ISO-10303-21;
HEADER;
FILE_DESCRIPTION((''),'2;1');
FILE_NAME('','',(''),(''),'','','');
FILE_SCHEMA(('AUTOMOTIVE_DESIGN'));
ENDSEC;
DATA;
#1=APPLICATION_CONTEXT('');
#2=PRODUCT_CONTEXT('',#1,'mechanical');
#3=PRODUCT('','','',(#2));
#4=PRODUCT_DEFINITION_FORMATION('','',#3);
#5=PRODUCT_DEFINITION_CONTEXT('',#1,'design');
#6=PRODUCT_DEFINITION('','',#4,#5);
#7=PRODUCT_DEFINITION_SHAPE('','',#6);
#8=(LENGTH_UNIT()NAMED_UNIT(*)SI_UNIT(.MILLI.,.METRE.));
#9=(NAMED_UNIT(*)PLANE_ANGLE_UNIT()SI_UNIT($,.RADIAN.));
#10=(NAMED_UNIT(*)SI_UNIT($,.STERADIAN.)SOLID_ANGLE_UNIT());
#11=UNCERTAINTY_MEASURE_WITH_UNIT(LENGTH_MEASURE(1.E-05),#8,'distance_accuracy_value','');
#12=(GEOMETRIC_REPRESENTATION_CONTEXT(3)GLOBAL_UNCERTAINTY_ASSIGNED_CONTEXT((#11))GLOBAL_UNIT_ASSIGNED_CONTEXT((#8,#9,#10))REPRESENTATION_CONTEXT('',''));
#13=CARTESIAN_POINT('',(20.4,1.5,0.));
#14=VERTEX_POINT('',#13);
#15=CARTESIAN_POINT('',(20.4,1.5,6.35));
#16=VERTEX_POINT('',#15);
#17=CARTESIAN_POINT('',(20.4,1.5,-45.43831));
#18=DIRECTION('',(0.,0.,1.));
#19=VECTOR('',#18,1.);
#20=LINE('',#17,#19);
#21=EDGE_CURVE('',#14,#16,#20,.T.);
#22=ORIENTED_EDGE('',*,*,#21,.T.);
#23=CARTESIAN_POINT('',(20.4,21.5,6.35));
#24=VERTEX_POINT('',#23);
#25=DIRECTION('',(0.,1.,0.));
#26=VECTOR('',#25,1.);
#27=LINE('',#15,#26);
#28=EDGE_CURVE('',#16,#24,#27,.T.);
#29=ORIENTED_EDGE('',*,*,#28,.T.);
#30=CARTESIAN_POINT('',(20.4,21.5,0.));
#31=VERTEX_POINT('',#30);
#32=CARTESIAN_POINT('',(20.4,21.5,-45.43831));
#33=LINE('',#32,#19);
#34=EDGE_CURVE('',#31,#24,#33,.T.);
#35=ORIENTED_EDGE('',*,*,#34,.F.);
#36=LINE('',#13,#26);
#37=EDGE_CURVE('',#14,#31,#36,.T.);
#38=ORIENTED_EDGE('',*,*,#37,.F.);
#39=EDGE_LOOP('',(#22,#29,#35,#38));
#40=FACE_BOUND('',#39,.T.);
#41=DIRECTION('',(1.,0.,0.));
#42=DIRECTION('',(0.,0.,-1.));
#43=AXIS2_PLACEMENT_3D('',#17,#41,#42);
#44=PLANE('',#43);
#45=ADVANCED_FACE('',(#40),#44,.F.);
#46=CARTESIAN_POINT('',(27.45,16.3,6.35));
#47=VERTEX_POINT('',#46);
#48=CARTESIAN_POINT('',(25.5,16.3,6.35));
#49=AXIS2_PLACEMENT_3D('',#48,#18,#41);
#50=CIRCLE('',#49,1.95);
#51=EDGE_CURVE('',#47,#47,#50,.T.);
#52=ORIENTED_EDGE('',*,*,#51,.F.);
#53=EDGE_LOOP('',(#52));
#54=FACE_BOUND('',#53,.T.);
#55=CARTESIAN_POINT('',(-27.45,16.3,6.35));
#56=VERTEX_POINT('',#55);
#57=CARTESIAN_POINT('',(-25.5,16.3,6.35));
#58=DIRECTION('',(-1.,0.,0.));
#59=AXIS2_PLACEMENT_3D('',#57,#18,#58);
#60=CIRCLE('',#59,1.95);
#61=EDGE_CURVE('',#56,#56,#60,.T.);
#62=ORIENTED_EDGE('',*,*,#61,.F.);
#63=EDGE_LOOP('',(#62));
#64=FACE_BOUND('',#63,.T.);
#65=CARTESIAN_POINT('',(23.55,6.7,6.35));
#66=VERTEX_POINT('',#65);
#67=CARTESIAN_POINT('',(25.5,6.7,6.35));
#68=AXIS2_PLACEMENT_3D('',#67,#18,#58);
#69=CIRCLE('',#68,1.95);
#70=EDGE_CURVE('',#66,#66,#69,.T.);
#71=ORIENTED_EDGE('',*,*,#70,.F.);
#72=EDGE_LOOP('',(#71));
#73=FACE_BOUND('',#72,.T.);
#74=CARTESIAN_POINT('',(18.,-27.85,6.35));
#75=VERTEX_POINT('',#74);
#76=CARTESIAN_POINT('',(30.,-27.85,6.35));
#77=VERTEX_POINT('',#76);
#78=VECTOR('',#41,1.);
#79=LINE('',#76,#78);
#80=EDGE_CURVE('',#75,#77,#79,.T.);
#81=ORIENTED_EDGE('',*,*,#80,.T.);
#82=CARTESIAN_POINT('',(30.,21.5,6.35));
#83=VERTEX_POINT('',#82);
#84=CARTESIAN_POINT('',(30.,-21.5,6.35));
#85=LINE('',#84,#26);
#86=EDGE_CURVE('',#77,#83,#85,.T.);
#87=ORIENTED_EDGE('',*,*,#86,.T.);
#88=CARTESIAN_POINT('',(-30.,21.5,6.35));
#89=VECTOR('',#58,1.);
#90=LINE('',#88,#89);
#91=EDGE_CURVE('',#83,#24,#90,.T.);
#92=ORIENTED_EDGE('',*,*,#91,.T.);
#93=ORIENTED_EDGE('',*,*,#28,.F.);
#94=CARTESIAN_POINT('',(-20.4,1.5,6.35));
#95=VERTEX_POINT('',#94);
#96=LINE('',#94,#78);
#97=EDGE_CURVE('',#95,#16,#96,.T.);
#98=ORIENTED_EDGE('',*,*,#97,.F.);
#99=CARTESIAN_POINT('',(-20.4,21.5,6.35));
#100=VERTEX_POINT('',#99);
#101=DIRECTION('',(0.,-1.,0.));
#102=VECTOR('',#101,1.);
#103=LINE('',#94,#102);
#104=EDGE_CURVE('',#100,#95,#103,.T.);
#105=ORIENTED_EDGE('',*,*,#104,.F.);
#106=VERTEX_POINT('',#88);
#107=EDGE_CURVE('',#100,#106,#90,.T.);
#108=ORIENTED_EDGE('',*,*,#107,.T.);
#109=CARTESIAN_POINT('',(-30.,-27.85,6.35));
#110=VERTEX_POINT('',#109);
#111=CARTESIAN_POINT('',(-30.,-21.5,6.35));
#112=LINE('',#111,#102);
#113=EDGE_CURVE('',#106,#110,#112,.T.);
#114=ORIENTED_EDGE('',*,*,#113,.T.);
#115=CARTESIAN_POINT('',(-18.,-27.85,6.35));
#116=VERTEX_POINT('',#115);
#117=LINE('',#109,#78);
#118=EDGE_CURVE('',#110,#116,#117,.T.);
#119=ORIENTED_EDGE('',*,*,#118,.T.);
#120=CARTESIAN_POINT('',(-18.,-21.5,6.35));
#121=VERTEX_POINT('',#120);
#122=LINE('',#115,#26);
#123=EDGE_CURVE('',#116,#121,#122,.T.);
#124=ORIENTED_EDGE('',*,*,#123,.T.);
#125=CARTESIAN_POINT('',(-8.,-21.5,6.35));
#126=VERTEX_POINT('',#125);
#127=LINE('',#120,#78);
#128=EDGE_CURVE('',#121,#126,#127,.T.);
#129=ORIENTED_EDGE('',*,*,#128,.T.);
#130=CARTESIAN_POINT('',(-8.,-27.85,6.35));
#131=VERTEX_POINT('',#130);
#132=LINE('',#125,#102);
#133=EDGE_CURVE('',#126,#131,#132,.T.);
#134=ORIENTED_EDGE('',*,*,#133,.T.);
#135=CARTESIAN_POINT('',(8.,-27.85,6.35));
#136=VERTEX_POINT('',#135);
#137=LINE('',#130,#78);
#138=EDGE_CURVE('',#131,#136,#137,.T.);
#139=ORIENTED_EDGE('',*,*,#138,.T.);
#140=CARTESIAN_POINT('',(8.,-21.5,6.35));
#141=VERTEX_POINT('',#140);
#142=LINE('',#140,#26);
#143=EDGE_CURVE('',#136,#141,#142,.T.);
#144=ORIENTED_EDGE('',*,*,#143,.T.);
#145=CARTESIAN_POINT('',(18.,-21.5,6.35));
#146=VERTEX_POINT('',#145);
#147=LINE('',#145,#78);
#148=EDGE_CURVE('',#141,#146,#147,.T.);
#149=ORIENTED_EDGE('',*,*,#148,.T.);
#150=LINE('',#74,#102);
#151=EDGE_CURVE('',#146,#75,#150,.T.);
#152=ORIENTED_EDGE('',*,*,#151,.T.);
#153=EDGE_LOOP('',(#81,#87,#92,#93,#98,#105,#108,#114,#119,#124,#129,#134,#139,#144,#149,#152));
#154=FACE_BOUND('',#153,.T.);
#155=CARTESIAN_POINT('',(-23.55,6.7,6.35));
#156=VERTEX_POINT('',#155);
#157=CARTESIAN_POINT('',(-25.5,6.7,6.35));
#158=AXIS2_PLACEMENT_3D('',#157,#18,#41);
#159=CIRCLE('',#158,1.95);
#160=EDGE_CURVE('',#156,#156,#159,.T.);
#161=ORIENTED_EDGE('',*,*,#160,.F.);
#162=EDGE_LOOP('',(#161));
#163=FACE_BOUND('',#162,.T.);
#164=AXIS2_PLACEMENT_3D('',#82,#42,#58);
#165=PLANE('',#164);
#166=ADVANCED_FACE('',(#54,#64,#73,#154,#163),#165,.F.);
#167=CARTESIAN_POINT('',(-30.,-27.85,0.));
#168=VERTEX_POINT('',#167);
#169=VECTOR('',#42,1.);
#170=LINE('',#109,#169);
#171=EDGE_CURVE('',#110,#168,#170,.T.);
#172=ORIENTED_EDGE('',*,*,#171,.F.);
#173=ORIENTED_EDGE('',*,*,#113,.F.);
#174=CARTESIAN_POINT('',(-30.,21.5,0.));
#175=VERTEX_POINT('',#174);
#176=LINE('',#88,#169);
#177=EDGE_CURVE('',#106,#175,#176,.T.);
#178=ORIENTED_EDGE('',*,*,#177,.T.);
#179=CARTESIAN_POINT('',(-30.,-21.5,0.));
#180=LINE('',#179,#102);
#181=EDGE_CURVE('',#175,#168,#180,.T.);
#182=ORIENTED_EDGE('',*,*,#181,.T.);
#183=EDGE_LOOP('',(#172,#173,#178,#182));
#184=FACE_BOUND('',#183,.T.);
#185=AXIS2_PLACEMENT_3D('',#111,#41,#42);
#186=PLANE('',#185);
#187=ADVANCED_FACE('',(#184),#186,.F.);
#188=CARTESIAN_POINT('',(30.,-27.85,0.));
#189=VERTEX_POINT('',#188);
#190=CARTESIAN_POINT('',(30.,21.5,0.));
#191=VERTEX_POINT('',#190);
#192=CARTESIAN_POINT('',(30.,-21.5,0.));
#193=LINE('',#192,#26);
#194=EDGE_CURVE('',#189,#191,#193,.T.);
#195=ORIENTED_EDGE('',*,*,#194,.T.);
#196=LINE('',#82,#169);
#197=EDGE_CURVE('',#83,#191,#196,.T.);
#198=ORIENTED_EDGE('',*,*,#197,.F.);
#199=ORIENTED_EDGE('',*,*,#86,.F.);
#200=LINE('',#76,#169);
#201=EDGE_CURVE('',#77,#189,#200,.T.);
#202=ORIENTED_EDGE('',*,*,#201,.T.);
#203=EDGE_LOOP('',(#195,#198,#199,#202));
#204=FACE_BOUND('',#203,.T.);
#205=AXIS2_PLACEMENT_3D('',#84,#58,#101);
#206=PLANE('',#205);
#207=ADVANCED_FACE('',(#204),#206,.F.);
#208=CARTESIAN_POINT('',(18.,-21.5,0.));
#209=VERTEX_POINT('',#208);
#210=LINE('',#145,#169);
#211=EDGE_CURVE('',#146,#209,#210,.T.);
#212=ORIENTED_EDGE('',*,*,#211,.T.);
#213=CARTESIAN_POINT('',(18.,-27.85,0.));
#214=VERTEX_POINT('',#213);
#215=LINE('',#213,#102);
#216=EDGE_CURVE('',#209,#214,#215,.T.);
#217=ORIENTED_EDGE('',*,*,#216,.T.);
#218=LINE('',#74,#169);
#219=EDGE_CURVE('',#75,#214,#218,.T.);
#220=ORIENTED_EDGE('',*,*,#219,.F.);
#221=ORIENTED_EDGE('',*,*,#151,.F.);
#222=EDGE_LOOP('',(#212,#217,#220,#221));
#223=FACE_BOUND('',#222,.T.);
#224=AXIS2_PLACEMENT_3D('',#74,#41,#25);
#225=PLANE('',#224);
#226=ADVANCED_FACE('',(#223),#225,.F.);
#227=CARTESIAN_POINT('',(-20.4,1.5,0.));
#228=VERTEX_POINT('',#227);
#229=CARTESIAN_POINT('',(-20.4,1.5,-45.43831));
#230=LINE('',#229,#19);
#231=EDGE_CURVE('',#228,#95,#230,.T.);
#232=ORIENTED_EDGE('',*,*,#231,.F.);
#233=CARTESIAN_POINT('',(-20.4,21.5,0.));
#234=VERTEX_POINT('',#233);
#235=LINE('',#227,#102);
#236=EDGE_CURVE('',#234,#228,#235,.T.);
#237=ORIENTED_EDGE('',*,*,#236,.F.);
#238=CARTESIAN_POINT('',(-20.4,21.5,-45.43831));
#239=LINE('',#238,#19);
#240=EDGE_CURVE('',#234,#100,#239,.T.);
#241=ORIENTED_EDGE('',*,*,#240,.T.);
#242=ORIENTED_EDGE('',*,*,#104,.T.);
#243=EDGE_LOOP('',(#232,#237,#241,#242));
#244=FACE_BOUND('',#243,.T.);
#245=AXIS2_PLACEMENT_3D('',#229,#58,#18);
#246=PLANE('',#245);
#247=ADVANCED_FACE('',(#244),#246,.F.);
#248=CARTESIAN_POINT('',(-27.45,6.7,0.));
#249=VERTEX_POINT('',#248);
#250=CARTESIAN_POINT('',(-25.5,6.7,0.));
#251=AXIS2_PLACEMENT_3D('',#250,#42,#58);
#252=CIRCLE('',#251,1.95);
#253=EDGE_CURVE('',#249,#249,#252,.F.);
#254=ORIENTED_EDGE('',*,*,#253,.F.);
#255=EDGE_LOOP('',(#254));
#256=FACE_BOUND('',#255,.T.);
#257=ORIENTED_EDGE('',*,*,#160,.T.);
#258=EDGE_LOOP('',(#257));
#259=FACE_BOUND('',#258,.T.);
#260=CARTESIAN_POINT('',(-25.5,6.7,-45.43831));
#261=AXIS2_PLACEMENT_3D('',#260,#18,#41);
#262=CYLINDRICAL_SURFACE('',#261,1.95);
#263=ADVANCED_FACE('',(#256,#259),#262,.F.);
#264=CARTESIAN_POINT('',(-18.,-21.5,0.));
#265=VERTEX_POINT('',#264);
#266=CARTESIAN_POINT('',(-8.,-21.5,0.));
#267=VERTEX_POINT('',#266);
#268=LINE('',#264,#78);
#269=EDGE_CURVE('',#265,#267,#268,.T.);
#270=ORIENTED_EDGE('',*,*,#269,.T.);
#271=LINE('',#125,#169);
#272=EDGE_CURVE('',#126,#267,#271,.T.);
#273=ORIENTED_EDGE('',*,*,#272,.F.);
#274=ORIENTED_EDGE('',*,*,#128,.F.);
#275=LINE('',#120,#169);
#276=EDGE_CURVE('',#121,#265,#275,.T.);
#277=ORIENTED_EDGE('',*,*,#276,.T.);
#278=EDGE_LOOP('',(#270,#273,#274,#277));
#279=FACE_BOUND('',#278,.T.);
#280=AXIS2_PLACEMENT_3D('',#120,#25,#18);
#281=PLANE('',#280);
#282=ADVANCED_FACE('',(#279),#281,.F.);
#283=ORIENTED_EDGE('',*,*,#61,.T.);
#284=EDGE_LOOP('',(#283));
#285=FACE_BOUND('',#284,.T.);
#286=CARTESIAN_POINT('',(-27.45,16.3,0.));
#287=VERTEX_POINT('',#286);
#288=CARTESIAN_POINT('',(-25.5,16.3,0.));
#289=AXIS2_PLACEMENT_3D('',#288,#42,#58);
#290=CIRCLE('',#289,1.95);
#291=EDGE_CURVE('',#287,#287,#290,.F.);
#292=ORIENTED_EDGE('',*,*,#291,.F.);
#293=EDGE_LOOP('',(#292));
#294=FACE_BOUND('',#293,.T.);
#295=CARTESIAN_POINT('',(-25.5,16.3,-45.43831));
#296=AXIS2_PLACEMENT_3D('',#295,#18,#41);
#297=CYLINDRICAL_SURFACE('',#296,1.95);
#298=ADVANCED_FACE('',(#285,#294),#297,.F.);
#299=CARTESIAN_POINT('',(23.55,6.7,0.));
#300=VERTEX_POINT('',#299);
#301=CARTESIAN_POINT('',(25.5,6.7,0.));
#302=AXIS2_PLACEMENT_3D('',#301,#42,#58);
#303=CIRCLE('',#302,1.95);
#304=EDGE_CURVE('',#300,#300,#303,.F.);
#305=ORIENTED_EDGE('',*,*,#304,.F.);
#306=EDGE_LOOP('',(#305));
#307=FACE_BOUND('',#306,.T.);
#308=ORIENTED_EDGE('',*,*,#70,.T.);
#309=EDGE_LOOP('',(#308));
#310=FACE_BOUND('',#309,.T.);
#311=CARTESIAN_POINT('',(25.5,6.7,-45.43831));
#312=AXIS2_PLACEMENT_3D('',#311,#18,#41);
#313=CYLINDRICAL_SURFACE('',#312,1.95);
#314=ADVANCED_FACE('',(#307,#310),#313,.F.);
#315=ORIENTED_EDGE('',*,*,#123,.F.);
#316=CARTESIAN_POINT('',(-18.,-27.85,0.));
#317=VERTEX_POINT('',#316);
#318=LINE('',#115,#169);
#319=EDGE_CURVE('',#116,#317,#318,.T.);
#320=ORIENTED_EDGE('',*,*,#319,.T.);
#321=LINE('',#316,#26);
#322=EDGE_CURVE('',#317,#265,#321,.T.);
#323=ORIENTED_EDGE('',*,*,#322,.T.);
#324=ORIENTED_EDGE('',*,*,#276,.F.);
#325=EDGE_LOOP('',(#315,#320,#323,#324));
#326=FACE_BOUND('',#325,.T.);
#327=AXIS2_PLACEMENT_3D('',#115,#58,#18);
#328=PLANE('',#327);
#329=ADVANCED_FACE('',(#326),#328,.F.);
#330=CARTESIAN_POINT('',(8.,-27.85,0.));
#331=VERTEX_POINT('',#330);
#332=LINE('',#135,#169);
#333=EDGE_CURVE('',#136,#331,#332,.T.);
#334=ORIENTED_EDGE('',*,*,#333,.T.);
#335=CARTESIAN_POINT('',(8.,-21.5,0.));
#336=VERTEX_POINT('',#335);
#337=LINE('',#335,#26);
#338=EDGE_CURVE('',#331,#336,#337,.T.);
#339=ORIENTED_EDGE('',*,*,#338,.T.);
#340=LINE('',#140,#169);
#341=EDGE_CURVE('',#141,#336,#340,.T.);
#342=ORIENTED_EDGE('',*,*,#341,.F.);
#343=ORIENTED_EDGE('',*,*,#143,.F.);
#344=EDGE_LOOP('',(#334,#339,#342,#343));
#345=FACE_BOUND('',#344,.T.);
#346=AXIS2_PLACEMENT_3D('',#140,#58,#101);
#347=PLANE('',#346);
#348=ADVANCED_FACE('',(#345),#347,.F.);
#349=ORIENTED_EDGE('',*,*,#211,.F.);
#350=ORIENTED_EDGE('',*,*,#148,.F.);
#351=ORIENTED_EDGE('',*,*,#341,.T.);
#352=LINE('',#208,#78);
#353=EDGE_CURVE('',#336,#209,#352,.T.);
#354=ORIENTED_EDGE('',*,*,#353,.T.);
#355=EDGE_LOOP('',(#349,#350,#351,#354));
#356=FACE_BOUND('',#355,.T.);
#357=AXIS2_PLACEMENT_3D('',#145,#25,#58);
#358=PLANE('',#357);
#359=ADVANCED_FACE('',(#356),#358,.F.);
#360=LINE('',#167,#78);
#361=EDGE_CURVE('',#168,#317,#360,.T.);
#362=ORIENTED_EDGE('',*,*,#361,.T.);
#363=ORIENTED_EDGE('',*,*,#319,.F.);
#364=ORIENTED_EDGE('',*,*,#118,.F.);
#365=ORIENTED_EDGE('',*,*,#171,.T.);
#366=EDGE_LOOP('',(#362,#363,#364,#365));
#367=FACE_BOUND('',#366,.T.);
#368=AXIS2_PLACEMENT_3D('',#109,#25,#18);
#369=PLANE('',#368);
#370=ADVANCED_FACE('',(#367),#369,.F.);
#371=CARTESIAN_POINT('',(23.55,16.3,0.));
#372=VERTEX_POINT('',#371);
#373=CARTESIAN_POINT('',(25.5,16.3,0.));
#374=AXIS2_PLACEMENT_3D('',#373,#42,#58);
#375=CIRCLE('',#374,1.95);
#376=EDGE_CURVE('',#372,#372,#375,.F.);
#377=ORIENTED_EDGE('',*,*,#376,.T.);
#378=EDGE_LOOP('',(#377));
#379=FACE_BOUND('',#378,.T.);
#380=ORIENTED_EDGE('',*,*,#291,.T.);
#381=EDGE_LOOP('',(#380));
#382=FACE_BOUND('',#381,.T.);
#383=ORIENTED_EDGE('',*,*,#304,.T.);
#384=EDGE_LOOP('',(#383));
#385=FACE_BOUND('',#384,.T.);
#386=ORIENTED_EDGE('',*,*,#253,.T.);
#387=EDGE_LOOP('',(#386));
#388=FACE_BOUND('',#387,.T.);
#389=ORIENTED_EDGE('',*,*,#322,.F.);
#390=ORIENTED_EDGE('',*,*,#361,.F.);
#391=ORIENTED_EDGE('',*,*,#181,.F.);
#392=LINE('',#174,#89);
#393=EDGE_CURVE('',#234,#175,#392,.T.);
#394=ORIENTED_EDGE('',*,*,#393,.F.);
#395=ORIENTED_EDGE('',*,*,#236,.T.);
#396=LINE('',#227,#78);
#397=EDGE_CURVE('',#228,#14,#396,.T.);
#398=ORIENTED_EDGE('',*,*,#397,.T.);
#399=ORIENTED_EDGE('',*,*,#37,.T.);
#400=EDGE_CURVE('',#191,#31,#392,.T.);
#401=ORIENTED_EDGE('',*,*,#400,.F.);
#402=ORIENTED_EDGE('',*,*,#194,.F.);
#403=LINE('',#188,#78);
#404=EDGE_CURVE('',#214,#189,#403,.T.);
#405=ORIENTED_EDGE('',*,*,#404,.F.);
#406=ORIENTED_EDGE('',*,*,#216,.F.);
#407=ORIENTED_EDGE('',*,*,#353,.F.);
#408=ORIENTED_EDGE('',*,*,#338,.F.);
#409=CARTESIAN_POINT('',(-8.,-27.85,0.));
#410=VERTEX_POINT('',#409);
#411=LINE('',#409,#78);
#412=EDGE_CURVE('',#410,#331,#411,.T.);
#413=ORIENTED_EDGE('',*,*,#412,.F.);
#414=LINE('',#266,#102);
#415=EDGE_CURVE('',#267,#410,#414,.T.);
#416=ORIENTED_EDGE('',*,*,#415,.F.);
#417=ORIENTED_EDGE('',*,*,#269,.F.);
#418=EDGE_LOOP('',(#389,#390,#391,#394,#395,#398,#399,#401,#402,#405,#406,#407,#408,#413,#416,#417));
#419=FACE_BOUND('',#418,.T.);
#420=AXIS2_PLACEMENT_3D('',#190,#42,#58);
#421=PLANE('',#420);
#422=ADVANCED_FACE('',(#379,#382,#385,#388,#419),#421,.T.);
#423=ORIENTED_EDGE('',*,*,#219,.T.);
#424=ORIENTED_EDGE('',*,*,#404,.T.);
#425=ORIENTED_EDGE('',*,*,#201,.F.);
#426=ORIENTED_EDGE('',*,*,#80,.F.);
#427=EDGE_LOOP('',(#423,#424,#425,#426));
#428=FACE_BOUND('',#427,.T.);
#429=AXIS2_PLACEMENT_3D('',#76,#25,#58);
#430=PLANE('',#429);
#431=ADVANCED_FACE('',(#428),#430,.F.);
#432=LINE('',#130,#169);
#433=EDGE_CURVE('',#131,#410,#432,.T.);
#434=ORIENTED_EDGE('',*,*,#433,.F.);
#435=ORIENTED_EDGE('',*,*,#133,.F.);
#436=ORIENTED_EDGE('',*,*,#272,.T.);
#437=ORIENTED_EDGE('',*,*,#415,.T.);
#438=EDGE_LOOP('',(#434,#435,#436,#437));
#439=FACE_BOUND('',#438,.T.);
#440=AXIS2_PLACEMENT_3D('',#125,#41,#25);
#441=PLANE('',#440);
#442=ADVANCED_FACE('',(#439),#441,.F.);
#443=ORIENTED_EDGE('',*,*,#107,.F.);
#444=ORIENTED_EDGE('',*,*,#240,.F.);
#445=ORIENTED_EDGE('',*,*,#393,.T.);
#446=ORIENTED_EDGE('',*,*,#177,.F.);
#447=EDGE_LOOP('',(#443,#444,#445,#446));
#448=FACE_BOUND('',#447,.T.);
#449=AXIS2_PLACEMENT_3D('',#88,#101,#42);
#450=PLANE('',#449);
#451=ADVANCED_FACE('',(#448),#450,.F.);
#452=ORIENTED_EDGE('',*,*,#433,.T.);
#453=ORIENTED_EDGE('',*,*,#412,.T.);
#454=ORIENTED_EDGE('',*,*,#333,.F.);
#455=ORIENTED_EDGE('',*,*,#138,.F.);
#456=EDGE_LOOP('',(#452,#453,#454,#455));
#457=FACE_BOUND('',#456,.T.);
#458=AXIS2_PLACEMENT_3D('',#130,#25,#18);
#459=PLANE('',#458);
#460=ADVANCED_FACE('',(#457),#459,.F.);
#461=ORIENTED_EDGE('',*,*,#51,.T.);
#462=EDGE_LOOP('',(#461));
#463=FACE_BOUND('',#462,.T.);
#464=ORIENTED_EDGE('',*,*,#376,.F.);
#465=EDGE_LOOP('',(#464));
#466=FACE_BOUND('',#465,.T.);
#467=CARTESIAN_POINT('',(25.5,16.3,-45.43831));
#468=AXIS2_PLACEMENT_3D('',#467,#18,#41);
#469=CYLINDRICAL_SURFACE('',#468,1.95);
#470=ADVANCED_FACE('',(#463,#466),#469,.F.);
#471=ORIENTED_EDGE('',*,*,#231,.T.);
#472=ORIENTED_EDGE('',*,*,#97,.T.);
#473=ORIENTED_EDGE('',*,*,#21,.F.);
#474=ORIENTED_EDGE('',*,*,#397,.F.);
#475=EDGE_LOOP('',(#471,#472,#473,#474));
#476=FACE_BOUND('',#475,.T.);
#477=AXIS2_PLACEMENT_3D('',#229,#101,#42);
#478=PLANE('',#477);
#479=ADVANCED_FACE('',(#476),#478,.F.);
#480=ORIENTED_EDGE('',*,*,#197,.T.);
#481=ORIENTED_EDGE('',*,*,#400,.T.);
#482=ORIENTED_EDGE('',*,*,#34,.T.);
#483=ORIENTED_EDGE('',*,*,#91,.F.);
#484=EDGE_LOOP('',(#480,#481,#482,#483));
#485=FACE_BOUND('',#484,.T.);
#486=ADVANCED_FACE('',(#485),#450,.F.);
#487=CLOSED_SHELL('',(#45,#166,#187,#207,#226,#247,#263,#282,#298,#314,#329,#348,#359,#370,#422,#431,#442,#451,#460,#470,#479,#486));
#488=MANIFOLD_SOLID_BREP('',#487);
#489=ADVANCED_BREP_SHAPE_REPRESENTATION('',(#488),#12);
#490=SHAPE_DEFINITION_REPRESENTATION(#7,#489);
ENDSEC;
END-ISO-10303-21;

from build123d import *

# Parameters (mm, degrees)
BOSS_EXTRUDE1_DEPTH = 6.35
SKETCH2_R           = 1.95
SKETCH2_W           = 40.8
SKETCH2_H           = 20
CUT_EXTRUDE1_DEPTH  = 6.35


with BuildPart() as part:
    # Sketch1 → Boss-Extrude1 (new body)
    with BuildSketch(Plane.XY):
        Polygon((-30, -21.5), (-30, 21.5), (30, 21.5), (30, -21.5), (30, -27.85), (18, -27.85), (18, -21.5), (8, -21.5), (8, -27.85), (-8, -27.85), (-8, -21.5), (-18, -21.5), (-18, -27.85), (-30, -27.85), align=None)
    extrude(amount=BOSS_EXTRUDE1_DEPTH)

    # Sketch2 → Cut-Extrude1 (cut)
    with BuildSketch(Plane.XY.offset(6.35)):
        with Locations((-25.5, 16.3)):
            Circle(SKETCH2_R)
        with Locations((-25.5, 6.7)):
            Circle(SKETCH2_R)
        with Locations((25.5, 6.7)):
            Circle(SKETCH2_R)
        with Locations((25.5, 16.3)):
            Circle(SKETCH2_R)
        with Locations((0, 11.5)):
            Rectangle(SKETCH2_W, SKETCH2_H)
    extrude(amount=-CUT_EXTRUDE1_DEPTH, mode=Mode.SUBTRACT)


solid = part.part
